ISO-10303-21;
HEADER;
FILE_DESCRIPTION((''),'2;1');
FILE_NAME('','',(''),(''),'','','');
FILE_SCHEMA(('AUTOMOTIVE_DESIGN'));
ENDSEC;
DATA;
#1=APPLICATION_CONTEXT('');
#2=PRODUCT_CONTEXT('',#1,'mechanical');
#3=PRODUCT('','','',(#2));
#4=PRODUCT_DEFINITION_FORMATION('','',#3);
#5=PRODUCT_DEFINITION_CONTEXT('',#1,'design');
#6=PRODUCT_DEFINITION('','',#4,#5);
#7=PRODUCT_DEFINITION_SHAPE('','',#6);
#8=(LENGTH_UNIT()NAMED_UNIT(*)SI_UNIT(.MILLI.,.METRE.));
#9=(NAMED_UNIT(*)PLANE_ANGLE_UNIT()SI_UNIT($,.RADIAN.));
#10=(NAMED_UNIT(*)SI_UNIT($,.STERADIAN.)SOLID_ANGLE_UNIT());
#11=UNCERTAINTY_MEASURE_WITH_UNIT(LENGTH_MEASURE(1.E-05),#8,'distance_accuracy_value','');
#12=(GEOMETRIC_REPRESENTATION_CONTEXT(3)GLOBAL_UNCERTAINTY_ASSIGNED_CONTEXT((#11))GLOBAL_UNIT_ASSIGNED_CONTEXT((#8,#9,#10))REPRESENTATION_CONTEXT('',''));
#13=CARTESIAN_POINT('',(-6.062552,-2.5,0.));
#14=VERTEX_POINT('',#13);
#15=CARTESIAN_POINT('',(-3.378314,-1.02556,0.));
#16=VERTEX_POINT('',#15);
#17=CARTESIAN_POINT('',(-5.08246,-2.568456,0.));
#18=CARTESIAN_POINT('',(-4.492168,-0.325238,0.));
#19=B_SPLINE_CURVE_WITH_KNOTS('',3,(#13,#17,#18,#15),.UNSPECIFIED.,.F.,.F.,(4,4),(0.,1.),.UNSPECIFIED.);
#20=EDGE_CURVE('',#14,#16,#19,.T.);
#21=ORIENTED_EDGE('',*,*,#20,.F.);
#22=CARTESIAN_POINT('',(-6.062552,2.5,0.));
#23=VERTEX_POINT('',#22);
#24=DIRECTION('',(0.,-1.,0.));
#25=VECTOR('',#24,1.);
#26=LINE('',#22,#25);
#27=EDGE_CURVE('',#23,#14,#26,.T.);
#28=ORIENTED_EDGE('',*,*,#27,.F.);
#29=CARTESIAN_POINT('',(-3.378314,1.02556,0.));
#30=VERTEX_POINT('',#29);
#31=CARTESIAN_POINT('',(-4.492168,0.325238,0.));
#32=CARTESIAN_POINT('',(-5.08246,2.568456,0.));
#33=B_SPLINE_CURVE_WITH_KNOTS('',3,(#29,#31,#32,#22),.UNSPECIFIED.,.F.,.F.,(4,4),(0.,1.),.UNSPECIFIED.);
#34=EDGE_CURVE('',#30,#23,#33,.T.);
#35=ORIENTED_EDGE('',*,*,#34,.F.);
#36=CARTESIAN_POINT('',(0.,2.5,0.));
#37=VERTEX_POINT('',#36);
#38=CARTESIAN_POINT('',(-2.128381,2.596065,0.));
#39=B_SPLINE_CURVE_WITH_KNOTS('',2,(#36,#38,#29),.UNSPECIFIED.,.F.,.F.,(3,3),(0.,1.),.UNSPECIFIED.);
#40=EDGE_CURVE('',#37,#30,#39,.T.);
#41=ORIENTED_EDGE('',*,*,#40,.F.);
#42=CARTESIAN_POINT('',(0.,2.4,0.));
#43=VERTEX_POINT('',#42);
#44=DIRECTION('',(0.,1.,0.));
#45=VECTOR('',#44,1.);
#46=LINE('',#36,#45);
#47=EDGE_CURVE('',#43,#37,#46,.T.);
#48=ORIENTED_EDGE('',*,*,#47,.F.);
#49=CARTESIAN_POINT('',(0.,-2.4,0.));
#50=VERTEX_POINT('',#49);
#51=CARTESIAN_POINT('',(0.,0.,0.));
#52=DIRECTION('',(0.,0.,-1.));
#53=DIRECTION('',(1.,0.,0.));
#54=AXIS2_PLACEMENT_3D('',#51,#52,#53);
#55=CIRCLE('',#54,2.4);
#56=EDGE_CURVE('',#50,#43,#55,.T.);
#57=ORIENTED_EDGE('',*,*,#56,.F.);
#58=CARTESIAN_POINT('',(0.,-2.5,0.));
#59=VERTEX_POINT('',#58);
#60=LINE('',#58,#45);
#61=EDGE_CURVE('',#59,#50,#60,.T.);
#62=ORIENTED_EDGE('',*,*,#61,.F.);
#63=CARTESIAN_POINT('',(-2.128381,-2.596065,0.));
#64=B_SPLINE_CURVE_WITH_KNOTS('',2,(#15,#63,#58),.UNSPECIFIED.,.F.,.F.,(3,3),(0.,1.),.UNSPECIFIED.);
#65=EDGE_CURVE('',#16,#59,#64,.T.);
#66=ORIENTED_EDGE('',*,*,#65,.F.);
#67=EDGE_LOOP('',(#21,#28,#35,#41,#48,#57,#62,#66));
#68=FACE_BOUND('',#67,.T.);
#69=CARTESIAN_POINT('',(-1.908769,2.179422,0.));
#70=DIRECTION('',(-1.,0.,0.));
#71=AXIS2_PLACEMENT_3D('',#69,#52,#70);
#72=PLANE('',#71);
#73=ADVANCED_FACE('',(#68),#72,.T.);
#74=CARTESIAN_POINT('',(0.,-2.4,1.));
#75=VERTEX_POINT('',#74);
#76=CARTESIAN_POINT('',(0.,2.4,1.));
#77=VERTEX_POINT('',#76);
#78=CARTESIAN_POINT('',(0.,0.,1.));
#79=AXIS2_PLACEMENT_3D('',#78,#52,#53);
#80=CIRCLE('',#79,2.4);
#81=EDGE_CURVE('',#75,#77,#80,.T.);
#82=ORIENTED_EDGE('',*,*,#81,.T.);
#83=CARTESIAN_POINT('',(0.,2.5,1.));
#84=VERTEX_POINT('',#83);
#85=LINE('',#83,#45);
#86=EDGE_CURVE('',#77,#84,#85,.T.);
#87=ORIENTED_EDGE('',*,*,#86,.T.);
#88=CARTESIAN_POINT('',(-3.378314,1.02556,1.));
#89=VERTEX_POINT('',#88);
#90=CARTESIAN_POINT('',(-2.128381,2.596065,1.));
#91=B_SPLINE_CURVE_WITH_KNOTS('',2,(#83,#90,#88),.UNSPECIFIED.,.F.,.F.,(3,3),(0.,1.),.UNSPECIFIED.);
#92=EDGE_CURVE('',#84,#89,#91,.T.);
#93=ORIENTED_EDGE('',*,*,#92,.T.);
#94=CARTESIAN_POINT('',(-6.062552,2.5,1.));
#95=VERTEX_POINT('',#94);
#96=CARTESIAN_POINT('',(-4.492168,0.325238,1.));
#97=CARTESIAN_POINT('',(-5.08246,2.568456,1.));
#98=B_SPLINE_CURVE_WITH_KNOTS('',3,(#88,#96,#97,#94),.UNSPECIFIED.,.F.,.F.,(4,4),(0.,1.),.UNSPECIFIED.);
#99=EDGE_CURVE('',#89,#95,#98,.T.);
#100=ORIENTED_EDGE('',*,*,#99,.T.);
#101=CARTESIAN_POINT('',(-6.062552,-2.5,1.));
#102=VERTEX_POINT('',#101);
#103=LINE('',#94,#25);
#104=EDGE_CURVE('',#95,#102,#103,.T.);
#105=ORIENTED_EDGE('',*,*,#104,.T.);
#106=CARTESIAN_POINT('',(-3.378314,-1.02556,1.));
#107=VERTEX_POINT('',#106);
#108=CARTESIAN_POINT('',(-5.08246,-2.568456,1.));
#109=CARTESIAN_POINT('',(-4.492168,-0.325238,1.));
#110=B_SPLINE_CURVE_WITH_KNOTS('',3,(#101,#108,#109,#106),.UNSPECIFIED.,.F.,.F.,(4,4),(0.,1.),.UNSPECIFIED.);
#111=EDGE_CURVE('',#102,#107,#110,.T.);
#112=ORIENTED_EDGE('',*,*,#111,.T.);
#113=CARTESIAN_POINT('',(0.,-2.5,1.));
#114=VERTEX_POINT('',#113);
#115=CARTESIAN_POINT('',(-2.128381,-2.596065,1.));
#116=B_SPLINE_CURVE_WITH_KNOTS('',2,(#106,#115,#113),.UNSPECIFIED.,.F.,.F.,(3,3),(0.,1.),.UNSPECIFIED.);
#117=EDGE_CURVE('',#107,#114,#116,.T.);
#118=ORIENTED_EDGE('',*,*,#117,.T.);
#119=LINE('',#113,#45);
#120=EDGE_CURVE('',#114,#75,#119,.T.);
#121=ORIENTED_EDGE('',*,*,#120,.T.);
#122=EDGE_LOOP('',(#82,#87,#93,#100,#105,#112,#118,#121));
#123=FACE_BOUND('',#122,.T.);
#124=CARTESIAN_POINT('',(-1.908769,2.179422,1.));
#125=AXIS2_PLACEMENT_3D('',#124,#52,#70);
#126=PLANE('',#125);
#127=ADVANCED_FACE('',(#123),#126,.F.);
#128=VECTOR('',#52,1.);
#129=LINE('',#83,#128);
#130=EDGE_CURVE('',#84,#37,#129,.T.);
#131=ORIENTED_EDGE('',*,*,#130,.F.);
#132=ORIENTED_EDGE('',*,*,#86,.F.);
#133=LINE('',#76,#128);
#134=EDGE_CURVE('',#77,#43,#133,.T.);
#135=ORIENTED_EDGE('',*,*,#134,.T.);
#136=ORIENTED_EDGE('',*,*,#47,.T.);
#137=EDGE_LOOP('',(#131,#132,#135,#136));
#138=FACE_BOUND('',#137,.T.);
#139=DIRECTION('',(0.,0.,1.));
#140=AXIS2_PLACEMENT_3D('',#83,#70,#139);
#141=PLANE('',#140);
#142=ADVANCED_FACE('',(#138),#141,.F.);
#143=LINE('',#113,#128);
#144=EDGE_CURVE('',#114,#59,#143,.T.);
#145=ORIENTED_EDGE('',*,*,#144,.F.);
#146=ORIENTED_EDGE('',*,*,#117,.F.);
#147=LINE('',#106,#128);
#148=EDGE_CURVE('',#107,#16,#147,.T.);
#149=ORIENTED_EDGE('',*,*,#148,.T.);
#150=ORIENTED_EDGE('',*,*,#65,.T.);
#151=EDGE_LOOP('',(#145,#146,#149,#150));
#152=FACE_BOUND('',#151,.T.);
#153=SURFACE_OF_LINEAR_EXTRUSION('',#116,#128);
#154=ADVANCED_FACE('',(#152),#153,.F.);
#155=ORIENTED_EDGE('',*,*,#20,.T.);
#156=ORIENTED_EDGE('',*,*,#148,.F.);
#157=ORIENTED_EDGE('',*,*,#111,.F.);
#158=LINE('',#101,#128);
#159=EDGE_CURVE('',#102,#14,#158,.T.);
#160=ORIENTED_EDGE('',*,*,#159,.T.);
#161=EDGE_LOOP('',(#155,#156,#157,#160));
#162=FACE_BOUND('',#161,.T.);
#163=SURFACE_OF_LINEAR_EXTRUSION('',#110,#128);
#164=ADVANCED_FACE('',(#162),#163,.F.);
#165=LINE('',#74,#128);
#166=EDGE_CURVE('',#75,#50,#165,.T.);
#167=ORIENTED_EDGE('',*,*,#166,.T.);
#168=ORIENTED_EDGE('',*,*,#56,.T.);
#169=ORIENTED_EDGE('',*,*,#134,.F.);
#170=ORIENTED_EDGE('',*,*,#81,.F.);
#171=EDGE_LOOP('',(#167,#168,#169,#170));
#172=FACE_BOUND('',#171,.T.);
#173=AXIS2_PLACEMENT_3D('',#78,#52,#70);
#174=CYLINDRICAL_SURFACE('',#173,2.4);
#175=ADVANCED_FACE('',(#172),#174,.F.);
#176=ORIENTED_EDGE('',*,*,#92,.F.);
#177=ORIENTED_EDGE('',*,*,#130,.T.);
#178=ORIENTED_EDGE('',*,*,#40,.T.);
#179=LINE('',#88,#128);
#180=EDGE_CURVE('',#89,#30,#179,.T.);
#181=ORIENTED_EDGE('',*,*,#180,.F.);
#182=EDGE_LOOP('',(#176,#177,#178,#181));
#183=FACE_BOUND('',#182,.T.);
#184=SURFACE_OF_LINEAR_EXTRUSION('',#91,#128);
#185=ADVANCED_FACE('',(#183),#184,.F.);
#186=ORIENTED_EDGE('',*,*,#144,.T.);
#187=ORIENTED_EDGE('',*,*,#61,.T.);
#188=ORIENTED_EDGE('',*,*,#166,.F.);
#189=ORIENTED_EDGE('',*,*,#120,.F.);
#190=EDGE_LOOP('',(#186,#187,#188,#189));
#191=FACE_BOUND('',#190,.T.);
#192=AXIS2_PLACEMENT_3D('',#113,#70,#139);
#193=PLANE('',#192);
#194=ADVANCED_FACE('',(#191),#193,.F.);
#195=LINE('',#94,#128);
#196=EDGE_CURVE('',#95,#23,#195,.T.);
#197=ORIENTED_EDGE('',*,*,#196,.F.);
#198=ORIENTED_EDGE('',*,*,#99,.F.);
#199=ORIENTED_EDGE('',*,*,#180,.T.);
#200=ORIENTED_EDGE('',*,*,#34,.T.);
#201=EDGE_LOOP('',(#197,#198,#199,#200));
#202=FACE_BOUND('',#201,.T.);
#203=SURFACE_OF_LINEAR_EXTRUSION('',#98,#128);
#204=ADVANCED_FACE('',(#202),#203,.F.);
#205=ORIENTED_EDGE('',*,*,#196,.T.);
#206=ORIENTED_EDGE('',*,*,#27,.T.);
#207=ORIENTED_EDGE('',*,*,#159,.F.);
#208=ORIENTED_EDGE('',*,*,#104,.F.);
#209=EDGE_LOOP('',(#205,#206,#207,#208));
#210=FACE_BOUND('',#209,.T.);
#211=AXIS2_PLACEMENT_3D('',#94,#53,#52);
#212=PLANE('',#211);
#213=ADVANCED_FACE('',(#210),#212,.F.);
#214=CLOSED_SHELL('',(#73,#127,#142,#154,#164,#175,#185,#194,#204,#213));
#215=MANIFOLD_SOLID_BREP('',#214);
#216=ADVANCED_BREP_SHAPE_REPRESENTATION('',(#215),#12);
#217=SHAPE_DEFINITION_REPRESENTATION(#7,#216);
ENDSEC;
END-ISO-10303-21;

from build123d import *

# Parameters (mm, degrees)
BOSS_EXTRUDE1_DEPTH = 1


with BuildPart() as part:
    # Sketch1 → Boss-Extrude1 (new body)
    with BuildSketch(Plane.XY):
        with BuildLine():
            Line((-6.062552239, 2.5), (-6.062552239, -2.5))
            add(Edge.make_bspline(
                [(-3.378314474, -1.025559537), (-4.49216768, -0.325238314), (-5.082460235, -2.568455815), (-6.062552239, -2.5)],
                knots=[0, 0, 0, 0, 1, 1, 1, 1], degree=3))
            add(Edge.make_bspline(
                [(0, -2.5), (-2.128381344, -2.596064875), (-3.378314474, -1.025559537)],
                knots=[0, 0, 0, 1, 1, 1], degree=2))
            Line((0, -2.5), (0, -2.4))
            ThreePointArc((0, -2.4), (-2.4, 0), (0, 2.4))
            Line((0, 2.4), (0, 2.5))
            add(Edge.make_bspline(
                [(0, 2.5), (-2.128381344, 2.596064875), (-3.378314474, 1.025559537)],
                knots=[0, 0, 0, 1, 1, 1], degree=2))
            add(Edge.make_bspline(
                [(-3.378314474, 1.025559537), (-4.49216768, 0.325238314), (-5.082460235, 2.568455815), (-6.062552239, 2.5)],
                knots=[0, 0, 0, 0, 1, 1, 1, 1], degree=3))
        make_face()
    extrude(amount=BOSS_EXTRUDE1_DEPTH)


solid = part.part
